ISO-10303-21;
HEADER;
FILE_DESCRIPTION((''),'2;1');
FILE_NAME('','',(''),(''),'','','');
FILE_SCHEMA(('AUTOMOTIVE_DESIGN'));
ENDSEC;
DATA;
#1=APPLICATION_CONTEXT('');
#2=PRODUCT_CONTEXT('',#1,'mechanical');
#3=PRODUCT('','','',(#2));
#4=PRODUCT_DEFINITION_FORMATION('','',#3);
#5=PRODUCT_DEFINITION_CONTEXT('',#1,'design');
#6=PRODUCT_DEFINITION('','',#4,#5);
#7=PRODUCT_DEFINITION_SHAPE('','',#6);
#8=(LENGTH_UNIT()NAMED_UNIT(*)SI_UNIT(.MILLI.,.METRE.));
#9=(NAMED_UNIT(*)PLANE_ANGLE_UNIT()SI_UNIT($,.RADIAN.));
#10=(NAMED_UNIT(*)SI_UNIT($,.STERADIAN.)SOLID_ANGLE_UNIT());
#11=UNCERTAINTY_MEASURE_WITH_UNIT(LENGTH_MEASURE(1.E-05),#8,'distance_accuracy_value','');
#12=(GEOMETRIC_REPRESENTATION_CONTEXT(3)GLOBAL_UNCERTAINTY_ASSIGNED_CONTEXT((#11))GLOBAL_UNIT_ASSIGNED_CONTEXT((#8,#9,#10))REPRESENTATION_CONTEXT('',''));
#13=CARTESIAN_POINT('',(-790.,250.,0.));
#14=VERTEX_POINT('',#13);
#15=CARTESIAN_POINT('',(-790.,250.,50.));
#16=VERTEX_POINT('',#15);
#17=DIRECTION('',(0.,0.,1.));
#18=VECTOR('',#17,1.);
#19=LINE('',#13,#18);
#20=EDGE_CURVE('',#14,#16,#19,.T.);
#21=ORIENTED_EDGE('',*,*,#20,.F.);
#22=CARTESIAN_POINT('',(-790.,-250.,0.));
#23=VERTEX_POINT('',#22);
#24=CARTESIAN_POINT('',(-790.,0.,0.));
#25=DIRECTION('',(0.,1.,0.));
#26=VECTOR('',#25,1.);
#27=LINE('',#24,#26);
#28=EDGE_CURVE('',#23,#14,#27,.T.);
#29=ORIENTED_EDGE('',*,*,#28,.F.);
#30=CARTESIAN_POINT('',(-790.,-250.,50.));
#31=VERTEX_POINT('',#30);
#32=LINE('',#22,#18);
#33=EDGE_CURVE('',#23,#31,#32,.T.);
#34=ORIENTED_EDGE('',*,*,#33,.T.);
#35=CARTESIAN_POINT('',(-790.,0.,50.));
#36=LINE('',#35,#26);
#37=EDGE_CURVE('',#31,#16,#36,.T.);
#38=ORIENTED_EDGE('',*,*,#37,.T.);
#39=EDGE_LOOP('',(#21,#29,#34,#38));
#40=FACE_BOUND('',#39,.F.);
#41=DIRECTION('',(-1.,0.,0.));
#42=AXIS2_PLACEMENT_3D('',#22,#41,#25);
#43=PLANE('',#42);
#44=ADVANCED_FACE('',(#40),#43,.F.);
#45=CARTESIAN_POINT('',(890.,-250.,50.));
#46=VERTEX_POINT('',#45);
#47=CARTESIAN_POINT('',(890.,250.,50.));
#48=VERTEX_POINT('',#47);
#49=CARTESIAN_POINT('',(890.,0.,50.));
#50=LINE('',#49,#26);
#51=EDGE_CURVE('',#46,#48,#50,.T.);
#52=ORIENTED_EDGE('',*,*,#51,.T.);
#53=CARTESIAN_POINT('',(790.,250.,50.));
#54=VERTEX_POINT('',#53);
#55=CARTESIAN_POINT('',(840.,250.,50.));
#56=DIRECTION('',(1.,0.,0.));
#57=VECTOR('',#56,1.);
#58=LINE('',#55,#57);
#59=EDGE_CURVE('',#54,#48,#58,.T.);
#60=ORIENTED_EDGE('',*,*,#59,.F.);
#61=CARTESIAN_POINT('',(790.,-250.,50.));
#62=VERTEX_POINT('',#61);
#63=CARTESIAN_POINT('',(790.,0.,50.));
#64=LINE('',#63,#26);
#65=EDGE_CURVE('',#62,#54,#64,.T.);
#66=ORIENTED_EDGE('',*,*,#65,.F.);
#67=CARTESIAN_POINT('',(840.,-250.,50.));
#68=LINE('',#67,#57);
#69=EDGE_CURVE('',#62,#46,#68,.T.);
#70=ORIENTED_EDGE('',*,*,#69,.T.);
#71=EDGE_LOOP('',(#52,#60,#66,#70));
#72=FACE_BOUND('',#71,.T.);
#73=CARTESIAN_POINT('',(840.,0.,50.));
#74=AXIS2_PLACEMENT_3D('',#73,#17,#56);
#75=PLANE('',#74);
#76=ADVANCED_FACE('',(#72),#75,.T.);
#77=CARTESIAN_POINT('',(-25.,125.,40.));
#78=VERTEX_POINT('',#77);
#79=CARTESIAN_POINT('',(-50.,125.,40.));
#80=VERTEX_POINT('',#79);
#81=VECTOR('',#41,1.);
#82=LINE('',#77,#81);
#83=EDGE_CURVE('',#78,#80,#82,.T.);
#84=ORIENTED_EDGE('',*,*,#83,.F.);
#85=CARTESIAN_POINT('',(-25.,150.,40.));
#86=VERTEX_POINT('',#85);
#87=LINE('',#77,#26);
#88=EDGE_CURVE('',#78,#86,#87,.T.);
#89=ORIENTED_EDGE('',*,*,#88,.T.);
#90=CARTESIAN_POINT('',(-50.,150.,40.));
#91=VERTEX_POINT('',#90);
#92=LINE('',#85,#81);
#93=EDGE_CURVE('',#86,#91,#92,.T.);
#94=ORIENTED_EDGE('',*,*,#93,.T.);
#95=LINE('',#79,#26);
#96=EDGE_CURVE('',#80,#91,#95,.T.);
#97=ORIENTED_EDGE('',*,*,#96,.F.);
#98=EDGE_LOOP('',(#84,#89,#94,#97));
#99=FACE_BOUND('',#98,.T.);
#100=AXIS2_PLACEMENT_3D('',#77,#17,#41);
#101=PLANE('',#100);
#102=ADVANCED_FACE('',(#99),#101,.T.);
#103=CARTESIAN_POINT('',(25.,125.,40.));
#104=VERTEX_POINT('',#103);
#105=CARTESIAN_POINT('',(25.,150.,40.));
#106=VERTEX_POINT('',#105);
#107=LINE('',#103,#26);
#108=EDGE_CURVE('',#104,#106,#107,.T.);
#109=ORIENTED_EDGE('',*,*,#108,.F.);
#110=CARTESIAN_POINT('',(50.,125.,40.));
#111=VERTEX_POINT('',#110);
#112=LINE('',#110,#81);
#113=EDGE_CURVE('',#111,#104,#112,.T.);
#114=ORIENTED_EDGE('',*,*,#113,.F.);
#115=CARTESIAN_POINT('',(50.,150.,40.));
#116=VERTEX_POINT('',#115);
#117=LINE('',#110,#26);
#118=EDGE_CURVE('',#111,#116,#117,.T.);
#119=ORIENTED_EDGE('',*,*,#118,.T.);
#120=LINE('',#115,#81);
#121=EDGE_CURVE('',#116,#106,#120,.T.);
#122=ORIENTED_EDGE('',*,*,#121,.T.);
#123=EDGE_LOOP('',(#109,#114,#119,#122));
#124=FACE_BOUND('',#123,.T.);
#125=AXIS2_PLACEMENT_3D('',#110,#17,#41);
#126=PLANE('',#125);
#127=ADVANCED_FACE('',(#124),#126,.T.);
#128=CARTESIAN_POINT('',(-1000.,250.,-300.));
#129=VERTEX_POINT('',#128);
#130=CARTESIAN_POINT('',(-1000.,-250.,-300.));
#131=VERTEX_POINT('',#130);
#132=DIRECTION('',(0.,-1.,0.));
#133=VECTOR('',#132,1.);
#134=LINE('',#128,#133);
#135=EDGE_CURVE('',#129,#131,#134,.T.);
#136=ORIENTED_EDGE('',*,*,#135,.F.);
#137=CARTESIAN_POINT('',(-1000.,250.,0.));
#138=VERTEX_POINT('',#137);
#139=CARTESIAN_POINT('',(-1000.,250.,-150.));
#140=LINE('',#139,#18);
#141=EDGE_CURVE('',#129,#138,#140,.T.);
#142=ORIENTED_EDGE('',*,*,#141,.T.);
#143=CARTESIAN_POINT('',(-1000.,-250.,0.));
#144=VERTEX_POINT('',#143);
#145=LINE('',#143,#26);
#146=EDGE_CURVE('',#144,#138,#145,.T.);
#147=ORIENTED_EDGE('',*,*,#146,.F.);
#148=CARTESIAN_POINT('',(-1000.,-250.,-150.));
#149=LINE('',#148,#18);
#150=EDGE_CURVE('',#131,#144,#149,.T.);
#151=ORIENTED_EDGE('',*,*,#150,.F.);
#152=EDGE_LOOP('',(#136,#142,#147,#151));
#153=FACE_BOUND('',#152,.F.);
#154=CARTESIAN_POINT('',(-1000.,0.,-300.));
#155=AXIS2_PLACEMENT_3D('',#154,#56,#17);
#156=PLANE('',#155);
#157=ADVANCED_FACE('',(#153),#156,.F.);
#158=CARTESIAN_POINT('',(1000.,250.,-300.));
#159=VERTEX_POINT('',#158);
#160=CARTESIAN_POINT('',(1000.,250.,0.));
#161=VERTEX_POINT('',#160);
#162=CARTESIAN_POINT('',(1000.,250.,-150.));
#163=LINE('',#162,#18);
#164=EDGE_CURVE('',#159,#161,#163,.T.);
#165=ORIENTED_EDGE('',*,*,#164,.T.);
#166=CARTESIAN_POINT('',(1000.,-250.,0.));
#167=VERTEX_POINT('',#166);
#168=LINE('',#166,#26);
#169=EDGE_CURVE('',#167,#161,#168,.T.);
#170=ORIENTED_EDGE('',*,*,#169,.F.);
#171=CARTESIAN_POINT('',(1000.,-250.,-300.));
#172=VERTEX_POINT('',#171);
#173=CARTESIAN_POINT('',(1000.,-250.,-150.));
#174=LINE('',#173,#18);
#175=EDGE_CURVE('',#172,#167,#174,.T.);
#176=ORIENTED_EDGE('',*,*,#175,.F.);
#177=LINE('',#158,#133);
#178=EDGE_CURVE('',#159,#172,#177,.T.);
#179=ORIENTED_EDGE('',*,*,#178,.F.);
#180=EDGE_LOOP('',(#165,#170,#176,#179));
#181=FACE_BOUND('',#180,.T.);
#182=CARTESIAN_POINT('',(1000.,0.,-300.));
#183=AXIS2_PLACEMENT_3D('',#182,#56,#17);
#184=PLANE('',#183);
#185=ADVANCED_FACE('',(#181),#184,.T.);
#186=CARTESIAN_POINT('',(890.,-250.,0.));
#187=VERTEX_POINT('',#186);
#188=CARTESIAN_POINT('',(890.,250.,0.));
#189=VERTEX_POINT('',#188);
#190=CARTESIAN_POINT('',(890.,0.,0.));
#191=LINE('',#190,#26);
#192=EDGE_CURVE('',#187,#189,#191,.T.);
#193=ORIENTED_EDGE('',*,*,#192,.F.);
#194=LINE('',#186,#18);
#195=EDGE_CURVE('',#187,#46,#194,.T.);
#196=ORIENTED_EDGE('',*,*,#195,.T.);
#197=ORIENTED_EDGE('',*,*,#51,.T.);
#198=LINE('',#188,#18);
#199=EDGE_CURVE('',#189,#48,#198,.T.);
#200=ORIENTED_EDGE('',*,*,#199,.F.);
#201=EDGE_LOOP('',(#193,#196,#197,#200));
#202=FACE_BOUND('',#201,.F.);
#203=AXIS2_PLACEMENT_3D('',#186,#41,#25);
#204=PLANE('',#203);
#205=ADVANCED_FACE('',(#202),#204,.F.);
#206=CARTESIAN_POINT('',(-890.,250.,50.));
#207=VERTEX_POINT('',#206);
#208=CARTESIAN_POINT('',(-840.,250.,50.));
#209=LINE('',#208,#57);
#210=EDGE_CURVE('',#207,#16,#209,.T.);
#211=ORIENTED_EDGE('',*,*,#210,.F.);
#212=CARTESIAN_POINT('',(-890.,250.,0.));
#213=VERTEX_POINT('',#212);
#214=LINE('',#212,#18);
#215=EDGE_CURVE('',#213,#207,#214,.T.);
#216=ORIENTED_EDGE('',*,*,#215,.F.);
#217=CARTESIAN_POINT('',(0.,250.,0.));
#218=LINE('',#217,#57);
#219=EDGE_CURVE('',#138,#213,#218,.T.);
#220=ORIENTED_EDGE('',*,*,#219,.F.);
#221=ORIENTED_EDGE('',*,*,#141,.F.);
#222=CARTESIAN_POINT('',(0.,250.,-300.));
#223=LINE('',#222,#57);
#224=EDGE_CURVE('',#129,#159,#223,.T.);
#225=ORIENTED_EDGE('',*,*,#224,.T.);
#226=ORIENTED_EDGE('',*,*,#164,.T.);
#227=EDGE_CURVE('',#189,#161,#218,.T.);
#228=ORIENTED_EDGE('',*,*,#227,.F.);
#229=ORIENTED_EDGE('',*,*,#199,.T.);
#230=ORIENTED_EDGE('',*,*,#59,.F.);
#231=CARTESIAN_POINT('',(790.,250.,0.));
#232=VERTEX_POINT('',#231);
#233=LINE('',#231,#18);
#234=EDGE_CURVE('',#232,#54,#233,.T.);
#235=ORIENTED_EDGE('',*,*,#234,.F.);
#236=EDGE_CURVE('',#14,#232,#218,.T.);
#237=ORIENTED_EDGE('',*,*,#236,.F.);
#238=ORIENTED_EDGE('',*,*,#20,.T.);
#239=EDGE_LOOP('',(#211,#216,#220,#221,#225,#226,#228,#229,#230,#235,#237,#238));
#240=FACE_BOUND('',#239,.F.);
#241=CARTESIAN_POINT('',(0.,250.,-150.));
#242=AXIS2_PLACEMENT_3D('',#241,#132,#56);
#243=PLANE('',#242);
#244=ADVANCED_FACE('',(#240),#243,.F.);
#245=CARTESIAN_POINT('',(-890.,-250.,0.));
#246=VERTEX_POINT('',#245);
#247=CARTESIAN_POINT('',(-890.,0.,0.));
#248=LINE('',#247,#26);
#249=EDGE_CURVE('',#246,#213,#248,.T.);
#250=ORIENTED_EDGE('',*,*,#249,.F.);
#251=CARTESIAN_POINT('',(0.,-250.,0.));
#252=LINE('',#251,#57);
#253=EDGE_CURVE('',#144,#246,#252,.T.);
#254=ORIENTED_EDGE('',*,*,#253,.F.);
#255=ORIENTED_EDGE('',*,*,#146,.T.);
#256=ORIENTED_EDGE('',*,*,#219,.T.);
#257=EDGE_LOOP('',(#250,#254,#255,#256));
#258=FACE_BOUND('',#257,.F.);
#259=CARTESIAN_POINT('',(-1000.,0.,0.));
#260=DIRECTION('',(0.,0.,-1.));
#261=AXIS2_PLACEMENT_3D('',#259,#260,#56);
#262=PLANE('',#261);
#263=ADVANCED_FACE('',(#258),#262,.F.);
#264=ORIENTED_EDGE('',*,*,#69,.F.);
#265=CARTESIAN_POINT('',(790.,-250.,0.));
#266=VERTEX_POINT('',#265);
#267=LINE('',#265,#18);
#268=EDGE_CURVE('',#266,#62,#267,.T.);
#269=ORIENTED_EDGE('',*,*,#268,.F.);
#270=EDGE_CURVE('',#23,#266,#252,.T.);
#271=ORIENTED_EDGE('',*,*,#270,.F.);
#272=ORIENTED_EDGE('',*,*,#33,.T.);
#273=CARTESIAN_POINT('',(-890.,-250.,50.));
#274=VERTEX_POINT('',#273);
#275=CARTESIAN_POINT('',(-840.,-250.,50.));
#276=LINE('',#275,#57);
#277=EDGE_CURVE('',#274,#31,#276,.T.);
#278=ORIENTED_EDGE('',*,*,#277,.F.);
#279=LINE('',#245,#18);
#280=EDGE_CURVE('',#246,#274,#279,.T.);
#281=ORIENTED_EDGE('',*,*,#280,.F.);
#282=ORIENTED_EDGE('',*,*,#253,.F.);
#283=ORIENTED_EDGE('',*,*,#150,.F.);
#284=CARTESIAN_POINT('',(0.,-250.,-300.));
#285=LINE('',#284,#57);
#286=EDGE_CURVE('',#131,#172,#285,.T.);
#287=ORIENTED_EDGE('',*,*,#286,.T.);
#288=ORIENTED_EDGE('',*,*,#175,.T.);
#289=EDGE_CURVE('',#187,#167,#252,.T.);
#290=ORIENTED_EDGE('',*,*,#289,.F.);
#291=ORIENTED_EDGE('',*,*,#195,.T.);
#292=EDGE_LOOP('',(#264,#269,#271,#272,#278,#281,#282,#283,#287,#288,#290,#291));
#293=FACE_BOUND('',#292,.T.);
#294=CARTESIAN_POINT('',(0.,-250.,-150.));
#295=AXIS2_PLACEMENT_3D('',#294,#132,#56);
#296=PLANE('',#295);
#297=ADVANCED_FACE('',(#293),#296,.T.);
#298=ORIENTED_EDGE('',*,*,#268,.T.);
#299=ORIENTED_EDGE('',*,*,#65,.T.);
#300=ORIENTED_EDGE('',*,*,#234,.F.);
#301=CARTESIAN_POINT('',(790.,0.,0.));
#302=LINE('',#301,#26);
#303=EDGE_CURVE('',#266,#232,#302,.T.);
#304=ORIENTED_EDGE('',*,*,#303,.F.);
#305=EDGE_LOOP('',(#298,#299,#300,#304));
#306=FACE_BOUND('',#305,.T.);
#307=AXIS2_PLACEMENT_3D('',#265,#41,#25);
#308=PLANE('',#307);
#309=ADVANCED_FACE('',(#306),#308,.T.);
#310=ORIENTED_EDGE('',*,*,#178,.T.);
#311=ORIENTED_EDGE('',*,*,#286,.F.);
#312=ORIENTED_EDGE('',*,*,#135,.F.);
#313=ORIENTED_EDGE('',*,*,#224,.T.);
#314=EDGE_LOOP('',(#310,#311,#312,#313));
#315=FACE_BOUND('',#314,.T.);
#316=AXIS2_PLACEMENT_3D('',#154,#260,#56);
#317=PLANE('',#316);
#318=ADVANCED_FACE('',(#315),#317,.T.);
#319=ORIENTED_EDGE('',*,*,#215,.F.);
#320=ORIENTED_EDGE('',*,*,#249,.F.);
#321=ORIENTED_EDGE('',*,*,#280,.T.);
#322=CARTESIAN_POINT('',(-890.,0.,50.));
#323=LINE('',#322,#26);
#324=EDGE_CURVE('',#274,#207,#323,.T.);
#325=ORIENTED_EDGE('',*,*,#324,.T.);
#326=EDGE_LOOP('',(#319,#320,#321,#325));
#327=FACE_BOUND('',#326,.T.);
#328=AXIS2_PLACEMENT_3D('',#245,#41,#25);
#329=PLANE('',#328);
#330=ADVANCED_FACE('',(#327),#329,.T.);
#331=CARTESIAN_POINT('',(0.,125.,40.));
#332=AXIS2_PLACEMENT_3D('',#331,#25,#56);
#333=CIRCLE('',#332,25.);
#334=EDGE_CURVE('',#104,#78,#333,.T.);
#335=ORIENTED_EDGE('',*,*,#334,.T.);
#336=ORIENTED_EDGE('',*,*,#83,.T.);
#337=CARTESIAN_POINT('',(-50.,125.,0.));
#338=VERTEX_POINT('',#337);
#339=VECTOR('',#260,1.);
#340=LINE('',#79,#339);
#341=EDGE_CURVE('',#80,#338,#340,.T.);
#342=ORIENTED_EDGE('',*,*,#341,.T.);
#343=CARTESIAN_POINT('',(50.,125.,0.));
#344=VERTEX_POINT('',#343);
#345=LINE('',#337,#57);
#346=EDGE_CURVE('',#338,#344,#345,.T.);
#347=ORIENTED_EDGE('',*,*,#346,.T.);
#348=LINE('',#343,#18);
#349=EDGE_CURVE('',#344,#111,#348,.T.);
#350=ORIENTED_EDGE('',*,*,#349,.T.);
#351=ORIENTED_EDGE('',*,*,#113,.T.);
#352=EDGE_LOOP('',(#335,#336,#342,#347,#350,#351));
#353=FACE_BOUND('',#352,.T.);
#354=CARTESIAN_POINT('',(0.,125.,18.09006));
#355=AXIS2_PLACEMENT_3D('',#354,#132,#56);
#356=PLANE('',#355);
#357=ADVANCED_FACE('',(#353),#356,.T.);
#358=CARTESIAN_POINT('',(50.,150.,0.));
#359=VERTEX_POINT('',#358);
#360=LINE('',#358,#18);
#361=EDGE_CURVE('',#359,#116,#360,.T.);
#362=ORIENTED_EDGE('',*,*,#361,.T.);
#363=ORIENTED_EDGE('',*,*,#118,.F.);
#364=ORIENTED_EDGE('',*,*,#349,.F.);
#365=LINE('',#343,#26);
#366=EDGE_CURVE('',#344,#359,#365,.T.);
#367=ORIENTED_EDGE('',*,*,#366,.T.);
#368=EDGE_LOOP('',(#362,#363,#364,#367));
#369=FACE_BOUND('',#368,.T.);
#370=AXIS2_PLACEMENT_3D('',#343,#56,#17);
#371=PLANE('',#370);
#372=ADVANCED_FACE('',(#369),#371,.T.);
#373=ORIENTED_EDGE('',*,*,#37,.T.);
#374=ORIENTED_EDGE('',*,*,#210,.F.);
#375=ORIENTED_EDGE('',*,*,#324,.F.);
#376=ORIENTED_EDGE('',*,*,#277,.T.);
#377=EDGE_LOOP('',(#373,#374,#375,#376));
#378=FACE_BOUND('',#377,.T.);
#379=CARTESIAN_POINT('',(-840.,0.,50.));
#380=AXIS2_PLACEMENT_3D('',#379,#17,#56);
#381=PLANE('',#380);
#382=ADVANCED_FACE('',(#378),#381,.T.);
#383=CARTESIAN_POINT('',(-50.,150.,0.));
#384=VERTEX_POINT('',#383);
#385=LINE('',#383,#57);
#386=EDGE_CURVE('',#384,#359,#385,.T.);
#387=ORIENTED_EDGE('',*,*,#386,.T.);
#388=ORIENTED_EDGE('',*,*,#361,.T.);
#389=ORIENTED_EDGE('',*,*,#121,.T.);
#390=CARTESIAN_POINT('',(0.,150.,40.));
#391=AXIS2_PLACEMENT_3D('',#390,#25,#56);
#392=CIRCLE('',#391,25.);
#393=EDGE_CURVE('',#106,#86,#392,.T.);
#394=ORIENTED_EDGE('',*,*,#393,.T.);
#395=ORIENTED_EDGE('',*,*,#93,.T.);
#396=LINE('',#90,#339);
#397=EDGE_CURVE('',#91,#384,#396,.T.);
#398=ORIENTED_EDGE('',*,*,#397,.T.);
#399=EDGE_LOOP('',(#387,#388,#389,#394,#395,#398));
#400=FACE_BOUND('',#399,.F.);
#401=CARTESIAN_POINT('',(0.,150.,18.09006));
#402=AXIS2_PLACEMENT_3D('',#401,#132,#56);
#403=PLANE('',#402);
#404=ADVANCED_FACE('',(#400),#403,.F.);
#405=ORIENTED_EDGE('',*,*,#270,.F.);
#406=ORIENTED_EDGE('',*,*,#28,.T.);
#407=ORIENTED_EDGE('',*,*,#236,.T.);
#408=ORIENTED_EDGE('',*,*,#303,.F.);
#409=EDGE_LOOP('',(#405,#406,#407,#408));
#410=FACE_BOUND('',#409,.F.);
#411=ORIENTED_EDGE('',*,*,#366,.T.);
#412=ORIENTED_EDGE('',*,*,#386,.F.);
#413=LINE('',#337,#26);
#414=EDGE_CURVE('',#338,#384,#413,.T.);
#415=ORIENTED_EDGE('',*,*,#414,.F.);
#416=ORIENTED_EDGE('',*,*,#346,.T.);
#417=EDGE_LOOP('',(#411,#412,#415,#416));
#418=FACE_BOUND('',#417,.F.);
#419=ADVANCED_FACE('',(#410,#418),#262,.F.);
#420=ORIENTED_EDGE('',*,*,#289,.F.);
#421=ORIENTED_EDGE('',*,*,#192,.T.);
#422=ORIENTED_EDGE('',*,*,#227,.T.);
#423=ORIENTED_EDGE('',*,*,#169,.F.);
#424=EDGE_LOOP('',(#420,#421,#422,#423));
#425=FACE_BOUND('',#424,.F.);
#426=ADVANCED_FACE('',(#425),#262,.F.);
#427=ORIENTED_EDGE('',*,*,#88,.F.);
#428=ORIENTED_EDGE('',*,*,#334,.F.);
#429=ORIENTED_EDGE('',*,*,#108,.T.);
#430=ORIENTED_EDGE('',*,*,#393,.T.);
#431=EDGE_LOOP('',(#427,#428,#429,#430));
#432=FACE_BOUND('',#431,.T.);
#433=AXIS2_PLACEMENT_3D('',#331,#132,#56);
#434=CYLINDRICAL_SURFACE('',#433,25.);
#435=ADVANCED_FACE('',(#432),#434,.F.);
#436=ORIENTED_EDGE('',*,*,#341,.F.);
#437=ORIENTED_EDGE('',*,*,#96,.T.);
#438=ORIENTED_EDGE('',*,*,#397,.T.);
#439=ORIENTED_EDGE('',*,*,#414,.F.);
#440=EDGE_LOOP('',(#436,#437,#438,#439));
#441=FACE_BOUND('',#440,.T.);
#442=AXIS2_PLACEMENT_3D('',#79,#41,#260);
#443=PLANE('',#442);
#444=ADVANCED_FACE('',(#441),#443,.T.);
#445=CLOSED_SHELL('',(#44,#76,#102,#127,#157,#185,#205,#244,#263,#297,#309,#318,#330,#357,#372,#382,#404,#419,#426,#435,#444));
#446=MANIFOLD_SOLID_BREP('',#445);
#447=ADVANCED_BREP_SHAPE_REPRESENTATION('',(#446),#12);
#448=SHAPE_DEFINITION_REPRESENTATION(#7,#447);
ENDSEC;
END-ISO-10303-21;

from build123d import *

# Parameters (mm, degrees)
F0_W     = 2000
F0_H     = 300
F1_DEPTH = 250
F2_W     = 100
F2_H     = 500
F3_DEPTH = 50
F5_START = -375
F5_DEPTH = 25


with BuildPart() as f1:
    # F0 (on Front) → F1 (new body, symmetric)
    with BuildSketch(Plane.XZ):
        with Locations((0, -150)):
            Rectangle(F0_W, F0_H)
    extrude(amount=F1_DEPTH, both=True)

    # F2 (on face) → F3 (join)
    with BuildSketch(Plane.XY):
        with Locations((840, 0)):
            Rectangle(F2_W, F2_H)
        with Locations((-840, 0)):
            Rectangle(F2_W, F2_H)
    extrude(amount=F3_DEPTH)

    # F4 (on face) → F5 (join)
    with BuildSketch(Plane.XZ.offset(250).offset(F5_START)):
        with BuildLine():
            ThreePointArc((25, 40), (0, 15), (-25, 40))
            Line((-25, 40), (-50, 40))
            Line((-50, 40), (-50, 0))
            Line((-50, 0), (50, 0))
            Line((50, 0), (50, 40))
            Line((50, 40), (25, 40))
        make_face()
    extrude(amount=-F5_DEPTH)


solid = f1.part
